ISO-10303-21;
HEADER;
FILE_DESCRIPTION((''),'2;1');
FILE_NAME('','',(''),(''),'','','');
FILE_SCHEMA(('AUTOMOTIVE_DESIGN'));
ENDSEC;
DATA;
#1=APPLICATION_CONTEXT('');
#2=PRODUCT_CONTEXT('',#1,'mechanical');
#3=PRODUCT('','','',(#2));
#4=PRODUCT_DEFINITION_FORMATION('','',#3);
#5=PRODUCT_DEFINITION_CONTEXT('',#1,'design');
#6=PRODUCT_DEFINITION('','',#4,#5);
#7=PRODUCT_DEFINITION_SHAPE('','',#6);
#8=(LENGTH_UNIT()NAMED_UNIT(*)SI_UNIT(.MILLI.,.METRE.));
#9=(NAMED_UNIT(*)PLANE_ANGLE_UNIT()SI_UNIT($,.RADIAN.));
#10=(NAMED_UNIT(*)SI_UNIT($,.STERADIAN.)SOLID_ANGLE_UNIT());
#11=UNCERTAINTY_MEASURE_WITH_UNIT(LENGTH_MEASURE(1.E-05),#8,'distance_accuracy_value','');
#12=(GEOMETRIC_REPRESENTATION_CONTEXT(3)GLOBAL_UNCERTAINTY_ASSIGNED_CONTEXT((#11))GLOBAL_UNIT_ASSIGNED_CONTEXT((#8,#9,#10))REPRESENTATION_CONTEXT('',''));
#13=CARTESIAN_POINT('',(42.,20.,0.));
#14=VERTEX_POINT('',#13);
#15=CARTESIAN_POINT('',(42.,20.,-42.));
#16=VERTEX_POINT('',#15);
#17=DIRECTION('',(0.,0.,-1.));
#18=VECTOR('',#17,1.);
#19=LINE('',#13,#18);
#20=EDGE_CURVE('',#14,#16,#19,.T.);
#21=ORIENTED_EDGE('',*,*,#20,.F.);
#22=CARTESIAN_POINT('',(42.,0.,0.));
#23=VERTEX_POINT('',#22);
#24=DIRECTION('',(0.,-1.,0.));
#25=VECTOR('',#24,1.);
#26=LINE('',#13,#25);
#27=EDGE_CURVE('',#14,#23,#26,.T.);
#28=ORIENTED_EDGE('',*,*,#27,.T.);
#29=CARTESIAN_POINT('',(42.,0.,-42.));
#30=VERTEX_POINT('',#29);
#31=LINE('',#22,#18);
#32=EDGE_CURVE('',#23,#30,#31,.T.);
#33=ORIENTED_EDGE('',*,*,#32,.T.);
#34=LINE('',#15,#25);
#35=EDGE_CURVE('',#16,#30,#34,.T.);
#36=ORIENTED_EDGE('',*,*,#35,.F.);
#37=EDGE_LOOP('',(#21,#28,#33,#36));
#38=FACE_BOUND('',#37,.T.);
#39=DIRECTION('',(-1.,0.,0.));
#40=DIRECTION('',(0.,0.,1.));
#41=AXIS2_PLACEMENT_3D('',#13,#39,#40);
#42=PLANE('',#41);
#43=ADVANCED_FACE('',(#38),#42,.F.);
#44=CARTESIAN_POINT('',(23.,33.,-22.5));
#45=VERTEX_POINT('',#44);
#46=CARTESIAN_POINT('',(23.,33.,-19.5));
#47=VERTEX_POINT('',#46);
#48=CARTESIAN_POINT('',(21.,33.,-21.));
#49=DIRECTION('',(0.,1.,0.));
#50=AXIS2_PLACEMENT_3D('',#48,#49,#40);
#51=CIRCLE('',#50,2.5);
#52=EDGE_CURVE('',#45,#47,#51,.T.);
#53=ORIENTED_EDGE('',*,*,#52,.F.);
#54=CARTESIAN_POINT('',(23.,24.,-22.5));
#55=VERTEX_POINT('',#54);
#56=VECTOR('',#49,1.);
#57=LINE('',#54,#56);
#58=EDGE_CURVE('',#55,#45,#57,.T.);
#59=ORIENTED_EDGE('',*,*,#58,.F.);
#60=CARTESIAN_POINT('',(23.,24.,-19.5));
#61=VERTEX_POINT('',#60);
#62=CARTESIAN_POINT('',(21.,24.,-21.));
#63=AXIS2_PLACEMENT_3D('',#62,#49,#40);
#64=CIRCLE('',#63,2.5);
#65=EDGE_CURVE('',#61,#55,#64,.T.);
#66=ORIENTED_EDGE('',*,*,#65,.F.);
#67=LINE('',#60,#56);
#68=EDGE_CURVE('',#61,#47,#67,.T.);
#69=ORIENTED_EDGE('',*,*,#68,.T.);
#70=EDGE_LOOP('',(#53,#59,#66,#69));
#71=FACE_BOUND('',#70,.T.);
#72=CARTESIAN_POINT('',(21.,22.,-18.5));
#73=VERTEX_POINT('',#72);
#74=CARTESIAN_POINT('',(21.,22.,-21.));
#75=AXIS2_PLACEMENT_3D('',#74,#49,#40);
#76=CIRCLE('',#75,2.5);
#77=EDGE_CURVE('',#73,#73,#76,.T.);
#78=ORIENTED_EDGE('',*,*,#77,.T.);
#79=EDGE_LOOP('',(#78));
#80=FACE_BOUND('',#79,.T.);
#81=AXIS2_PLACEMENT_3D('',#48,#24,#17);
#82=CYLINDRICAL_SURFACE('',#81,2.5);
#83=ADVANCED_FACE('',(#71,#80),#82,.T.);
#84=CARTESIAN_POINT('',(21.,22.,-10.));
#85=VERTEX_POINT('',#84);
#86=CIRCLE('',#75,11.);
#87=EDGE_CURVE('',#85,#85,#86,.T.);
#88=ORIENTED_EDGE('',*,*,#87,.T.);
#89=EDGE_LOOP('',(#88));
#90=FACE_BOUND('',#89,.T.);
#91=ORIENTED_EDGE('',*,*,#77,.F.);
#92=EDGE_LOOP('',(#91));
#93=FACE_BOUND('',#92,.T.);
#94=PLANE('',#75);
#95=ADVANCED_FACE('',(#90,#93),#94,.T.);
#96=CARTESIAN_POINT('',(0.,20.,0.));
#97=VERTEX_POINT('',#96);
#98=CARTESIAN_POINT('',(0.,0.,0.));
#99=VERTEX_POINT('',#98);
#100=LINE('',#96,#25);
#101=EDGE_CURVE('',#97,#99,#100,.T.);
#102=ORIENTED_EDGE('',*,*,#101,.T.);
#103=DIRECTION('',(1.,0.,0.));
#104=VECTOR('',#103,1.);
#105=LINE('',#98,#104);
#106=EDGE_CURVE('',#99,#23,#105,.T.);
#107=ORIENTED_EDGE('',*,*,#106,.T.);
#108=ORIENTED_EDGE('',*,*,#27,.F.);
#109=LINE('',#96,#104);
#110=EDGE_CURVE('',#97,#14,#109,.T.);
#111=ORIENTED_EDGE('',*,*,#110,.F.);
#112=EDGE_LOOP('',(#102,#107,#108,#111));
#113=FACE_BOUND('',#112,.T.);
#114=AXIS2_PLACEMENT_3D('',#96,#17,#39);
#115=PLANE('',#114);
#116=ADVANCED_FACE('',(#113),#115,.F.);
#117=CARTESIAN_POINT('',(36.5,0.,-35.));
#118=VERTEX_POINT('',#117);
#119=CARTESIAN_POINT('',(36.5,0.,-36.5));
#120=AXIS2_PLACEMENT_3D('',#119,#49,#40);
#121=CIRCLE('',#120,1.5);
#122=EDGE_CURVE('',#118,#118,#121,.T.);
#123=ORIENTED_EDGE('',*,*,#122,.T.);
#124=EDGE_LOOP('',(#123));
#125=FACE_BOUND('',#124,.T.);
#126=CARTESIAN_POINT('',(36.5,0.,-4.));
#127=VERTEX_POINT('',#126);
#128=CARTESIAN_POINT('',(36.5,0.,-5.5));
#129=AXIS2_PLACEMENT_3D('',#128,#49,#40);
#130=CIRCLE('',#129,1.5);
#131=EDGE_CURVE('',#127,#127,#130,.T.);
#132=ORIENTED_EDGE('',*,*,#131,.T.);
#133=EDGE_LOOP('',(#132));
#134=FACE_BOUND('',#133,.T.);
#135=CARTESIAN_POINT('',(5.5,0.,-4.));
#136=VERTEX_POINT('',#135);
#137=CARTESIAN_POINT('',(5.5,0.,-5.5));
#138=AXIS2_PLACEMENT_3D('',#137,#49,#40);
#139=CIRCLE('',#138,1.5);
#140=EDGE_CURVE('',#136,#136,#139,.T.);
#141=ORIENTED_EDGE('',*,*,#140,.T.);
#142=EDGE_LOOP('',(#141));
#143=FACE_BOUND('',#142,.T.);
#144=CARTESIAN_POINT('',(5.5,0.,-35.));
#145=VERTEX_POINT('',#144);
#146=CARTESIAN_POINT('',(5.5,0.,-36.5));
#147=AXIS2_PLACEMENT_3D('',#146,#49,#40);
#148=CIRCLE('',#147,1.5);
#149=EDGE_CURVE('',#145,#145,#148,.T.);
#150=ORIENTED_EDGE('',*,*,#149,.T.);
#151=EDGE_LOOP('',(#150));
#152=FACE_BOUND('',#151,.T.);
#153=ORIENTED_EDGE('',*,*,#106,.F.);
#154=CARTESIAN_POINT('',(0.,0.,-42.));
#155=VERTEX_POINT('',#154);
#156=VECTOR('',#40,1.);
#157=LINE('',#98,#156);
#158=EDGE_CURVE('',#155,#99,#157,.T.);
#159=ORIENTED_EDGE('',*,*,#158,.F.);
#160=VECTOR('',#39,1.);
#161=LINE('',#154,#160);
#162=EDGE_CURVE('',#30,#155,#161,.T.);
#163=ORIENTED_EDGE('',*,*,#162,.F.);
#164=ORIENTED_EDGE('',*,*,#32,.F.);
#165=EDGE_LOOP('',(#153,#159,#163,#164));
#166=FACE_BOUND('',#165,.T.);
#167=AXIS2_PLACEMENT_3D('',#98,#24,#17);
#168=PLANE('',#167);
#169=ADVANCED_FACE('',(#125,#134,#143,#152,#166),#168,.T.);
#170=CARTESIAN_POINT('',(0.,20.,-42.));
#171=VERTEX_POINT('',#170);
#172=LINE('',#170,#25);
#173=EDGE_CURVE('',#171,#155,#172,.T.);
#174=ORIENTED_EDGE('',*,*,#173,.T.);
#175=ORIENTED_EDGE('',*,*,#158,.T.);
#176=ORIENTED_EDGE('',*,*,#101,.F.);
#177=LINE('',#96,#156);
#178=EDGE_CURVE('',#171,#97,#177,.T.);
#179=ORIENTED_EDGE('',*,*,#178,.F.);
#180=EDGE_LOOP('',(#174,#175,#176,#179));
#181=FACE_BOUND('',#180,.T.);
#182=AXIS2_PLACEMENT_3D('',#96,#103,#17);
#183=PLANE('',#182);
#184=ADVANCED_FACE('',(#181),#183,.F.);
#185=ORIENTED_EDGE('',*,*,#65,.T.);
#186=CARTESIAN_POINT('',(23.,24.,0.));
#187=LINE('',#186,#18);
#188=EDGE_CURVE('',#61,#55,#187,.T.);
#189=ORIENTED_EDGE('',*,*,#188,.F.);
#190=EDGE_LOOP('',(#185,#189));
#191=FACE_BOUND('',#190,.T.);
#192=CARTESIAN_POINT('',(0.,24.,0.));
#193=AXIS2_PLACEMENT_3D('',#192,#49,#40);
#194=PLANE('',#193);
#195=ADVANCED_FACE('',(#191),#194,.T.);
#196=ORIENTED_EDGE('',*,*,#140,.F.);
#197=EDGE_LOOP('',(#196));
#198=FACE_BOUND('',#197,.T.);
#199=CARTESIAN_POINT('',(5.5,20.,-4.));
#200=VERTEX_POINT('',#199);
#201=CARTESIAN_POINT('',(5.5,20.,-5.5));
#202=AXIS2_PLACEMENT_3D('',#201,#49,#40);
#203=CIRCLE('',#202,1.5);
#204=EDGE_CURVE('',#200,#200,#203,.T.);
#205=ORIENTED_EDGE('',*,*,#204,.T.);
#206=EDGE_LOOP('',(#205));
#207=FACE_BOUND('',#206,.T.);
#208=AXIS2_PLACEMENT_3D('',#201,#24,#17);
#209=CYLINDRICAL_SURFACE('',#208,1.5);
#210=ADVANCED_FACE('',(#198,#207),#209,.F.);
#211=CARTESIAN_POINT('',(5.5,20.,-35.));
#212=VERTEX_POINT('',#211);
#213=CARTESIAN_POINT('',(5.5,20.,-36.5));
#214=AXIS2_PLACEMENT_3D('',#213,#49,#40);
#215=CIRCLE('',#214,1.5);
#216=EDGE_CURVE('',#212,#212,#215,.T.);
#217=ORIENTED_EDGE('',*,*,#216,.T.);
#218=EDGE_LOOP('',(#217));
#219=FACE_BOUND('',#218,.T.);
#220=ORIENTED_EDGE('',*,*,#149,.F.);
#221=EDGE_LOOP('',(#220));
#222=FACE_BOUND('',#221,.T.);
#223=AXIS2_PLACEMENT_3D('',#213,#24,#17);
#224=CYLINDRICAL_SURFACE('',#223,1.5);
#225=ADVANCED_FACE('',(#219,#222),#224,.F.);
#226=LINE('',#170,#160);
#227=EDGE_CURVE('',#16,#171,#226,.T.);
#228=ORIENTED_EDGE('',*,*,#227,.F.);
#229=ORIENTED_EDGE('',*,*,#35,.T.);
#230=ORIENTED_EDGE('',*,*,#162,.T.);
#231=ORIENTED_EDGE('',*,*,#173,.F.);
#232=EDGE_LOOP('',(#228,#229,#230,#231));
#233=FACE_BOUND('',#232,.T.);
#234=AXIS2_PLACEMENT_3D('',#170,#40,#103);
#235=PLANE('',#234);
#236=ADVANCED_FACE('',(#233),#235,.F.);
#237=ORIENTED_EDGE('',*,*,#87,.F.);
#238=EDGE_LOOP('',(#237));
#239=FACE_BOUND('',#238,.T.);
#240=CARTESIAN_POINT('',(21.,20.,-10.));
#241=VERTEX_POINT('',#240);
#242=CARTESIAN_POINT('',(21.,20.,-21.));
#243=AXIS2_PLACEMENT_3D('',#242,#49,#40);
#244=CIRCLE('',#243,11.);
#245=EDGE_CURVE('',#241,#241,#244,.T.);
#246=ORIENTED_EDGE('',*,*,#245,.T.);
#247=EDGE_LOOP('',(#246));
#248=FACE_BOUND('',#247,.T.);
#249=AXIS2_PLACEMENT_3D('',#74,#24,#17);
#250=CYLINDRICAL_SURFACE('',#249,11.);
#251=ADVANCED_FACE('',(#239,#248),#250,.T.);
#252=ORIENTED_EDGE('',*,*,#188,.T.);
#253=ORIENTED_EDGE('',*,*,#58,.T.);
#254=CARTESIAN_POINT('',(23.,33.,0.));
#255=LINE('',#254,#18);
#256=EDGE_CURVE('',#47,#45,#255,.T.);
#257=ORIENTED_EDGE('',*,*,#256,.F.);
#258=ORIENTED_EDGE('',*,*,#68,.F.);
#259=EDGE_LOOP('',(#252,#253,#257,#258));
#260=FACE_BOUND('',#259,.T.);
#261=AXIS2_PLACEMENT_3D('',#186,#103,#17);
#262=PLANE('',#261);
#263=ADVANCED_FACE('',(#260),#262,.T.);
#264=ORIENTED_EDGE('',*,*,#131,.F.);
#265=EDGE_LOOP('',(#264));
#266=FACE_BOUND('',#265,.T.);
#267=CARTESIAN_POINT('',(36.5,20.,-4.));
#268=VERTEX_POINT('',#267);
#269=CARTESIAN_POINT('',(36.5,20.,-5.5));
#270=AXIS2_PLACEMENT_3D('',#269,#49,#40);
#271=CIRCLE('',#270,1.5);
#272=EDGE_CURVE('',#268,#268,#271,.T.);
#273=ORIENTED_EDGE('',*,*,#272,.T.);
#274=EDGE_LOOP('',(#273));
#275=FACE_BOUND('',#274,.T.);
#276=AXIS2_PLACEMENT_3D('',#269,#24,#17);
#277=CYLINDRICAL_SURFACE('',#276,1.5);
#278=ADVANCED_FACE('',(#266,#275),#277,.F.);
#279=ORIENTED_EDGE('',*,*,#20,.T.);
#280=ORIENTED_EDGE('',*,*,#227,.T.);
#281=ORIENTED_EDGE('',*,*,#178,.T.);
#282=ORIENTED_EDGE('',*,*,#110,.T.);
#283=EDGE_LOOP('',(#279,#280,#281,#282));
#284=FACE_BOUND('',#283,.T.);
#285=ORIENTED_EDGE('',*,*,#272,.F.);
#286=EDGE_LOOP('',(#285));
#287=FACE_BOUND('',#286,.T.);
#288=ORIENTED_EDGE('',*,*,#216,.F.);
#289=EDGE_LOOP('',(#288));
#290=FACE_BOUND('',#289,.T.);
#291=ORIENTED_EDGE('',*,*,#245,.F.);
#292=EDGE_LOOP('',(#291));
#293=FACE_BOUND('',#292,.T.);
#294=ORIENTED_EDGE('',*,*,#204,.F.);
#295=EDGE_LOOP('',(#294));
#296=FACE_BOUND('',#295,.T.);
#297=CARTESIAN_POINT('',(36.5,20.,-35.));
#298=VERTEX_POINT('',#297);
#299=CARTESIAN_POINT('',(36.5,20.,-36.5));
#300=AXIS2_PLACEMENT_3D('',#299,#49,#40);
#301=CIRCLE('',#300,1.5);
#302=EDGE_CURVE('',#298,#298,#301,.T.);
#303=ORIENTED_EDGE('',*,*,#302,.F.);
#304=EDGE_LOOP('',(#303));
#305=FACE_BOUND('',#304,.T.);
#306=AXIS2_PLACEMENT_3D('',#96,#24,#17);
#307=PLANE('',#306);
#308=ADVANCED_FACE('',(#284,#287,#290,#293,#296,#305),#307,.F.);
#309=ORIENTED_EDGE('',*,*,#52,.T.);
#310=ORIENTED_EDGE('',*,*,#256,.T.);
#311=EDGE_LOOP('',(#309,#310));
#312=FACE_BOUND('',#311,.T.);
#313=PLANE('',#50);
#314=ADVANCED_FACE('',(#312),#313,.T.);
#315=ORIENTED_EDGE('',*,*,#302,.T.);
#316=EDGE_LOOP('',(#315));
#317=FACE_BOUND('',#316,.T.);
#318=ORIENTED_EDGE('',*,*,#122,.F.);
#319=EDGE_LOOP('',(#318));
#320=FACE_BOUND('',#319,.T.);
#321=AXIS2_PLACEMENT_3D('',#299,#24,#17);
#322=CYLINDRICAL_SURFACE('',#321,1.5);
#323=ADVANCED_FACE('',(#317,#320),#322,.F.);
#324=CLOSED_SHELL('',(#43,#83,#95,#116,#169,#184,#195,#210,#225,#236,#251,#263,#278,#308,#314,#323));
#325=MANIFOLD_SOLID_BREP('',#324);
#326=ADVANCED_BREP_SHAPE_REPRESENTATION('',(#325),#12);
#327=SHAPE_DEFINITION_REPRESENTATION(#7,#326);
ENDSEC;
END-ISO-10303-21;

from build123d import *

# Parameters (mm, degrees)
SKETCH_1_W          = 42
SKETCH_1_H          = 42
SKETCH_1_R          = 1.5
EXTRUDE_1_DEPTH     = 20
SKETCH_2_R          = 11
EXTRUDE_2_DEPTH     = 2
SKETCH_3_R          = 2.5
EXTRUDE_3_DEPTH     = 11
CUT_EXTRUDE_START   = -9
CUT_EXTRUDE_1_DEPTH = 9


with BuildPart() as part:
    # 草图1 → 凸台-拉伸1 (new body)
    with BuildSketch(Plane(origin=(0, 0, 0), x_dir=(1, 0, 0), z_dir=(0, 1, 0))):
        with Locations((21, 21)):
            Rectangle(SKETCH_1_W, SKETCH_1_H)
        with Locations(Location((5.5, 5.5, 0), (0, 0, 270))):
            Circle(SKETCH_1_R, mode=Mode.SUBTRACT)
        with Locations(Location((36.5, 5.5, 0), (0, 0, 270))):
            Circle(SKETCH_1_R, mode=Mode.SUBTRACT)
        with Locations(Location((36.5, 36.5, 0), (0, 0, 270))):
            Circle(SKETCH_1_R, mode=Mode.SUBTRACT)
        with Locations(Location((5.5, 36.5, 0), (0, 0, 270))):
            Circle(SKETCH_1_R, mode=Mode.SUBTRACT)
    extrude(amount=EXTRUDE_1_DEPTH)

    # 草图2 → 凸台-拉伸2 (add)
    with BuildSketch(Plane(origin=(0, 20, 0), x_dir=(1, 0, 0), z_dir=(0, 1, 0))):
        with Locations(Location((21, 21, 0), (0, 0, 270))):
            Circle(SKETCH_2_R)
    extrude(amount=EXTRUDE_2_DEPTH)

    # 草图3 → 凸台-拉伸3 (add)
    with BuildSketch(Plane(origin=(0, 22, 0), x_dir=(1, 0, 0), z_dir=(0, 1, 0))):
        with Locations(Location((21, 21, 0), (0, 0, 270))):
            Circle(SKETCH_3_R)
    extrude(amount=EXTRUDE_3_DEPTH)

    # 草图4 → 切除-拉伸1 (cut)
    with BuildSketch(Plane(origin=(0, 33, 0), x_dir=(1, 0, 0), z_dir=(0, 1, 0)).offset(CUT_EXTRUDE_START)):
        with BuildLine():
            Line((23, 22.5), (23, 21))
            Line((23, 21), (23, 19.5))
            ThreePointArc((23, 19.5), (23.371708245, 20.209430585), (23.5, 21))
            ThreePointArc((23.5, 21), (23.371708245, 21.790569415), (23, 22.5))
        make_face()
    extrude(amount=CUT_EXTRUDE_1_DEPTH, mode=Mode.SUBTRACT)


solid = part.part
